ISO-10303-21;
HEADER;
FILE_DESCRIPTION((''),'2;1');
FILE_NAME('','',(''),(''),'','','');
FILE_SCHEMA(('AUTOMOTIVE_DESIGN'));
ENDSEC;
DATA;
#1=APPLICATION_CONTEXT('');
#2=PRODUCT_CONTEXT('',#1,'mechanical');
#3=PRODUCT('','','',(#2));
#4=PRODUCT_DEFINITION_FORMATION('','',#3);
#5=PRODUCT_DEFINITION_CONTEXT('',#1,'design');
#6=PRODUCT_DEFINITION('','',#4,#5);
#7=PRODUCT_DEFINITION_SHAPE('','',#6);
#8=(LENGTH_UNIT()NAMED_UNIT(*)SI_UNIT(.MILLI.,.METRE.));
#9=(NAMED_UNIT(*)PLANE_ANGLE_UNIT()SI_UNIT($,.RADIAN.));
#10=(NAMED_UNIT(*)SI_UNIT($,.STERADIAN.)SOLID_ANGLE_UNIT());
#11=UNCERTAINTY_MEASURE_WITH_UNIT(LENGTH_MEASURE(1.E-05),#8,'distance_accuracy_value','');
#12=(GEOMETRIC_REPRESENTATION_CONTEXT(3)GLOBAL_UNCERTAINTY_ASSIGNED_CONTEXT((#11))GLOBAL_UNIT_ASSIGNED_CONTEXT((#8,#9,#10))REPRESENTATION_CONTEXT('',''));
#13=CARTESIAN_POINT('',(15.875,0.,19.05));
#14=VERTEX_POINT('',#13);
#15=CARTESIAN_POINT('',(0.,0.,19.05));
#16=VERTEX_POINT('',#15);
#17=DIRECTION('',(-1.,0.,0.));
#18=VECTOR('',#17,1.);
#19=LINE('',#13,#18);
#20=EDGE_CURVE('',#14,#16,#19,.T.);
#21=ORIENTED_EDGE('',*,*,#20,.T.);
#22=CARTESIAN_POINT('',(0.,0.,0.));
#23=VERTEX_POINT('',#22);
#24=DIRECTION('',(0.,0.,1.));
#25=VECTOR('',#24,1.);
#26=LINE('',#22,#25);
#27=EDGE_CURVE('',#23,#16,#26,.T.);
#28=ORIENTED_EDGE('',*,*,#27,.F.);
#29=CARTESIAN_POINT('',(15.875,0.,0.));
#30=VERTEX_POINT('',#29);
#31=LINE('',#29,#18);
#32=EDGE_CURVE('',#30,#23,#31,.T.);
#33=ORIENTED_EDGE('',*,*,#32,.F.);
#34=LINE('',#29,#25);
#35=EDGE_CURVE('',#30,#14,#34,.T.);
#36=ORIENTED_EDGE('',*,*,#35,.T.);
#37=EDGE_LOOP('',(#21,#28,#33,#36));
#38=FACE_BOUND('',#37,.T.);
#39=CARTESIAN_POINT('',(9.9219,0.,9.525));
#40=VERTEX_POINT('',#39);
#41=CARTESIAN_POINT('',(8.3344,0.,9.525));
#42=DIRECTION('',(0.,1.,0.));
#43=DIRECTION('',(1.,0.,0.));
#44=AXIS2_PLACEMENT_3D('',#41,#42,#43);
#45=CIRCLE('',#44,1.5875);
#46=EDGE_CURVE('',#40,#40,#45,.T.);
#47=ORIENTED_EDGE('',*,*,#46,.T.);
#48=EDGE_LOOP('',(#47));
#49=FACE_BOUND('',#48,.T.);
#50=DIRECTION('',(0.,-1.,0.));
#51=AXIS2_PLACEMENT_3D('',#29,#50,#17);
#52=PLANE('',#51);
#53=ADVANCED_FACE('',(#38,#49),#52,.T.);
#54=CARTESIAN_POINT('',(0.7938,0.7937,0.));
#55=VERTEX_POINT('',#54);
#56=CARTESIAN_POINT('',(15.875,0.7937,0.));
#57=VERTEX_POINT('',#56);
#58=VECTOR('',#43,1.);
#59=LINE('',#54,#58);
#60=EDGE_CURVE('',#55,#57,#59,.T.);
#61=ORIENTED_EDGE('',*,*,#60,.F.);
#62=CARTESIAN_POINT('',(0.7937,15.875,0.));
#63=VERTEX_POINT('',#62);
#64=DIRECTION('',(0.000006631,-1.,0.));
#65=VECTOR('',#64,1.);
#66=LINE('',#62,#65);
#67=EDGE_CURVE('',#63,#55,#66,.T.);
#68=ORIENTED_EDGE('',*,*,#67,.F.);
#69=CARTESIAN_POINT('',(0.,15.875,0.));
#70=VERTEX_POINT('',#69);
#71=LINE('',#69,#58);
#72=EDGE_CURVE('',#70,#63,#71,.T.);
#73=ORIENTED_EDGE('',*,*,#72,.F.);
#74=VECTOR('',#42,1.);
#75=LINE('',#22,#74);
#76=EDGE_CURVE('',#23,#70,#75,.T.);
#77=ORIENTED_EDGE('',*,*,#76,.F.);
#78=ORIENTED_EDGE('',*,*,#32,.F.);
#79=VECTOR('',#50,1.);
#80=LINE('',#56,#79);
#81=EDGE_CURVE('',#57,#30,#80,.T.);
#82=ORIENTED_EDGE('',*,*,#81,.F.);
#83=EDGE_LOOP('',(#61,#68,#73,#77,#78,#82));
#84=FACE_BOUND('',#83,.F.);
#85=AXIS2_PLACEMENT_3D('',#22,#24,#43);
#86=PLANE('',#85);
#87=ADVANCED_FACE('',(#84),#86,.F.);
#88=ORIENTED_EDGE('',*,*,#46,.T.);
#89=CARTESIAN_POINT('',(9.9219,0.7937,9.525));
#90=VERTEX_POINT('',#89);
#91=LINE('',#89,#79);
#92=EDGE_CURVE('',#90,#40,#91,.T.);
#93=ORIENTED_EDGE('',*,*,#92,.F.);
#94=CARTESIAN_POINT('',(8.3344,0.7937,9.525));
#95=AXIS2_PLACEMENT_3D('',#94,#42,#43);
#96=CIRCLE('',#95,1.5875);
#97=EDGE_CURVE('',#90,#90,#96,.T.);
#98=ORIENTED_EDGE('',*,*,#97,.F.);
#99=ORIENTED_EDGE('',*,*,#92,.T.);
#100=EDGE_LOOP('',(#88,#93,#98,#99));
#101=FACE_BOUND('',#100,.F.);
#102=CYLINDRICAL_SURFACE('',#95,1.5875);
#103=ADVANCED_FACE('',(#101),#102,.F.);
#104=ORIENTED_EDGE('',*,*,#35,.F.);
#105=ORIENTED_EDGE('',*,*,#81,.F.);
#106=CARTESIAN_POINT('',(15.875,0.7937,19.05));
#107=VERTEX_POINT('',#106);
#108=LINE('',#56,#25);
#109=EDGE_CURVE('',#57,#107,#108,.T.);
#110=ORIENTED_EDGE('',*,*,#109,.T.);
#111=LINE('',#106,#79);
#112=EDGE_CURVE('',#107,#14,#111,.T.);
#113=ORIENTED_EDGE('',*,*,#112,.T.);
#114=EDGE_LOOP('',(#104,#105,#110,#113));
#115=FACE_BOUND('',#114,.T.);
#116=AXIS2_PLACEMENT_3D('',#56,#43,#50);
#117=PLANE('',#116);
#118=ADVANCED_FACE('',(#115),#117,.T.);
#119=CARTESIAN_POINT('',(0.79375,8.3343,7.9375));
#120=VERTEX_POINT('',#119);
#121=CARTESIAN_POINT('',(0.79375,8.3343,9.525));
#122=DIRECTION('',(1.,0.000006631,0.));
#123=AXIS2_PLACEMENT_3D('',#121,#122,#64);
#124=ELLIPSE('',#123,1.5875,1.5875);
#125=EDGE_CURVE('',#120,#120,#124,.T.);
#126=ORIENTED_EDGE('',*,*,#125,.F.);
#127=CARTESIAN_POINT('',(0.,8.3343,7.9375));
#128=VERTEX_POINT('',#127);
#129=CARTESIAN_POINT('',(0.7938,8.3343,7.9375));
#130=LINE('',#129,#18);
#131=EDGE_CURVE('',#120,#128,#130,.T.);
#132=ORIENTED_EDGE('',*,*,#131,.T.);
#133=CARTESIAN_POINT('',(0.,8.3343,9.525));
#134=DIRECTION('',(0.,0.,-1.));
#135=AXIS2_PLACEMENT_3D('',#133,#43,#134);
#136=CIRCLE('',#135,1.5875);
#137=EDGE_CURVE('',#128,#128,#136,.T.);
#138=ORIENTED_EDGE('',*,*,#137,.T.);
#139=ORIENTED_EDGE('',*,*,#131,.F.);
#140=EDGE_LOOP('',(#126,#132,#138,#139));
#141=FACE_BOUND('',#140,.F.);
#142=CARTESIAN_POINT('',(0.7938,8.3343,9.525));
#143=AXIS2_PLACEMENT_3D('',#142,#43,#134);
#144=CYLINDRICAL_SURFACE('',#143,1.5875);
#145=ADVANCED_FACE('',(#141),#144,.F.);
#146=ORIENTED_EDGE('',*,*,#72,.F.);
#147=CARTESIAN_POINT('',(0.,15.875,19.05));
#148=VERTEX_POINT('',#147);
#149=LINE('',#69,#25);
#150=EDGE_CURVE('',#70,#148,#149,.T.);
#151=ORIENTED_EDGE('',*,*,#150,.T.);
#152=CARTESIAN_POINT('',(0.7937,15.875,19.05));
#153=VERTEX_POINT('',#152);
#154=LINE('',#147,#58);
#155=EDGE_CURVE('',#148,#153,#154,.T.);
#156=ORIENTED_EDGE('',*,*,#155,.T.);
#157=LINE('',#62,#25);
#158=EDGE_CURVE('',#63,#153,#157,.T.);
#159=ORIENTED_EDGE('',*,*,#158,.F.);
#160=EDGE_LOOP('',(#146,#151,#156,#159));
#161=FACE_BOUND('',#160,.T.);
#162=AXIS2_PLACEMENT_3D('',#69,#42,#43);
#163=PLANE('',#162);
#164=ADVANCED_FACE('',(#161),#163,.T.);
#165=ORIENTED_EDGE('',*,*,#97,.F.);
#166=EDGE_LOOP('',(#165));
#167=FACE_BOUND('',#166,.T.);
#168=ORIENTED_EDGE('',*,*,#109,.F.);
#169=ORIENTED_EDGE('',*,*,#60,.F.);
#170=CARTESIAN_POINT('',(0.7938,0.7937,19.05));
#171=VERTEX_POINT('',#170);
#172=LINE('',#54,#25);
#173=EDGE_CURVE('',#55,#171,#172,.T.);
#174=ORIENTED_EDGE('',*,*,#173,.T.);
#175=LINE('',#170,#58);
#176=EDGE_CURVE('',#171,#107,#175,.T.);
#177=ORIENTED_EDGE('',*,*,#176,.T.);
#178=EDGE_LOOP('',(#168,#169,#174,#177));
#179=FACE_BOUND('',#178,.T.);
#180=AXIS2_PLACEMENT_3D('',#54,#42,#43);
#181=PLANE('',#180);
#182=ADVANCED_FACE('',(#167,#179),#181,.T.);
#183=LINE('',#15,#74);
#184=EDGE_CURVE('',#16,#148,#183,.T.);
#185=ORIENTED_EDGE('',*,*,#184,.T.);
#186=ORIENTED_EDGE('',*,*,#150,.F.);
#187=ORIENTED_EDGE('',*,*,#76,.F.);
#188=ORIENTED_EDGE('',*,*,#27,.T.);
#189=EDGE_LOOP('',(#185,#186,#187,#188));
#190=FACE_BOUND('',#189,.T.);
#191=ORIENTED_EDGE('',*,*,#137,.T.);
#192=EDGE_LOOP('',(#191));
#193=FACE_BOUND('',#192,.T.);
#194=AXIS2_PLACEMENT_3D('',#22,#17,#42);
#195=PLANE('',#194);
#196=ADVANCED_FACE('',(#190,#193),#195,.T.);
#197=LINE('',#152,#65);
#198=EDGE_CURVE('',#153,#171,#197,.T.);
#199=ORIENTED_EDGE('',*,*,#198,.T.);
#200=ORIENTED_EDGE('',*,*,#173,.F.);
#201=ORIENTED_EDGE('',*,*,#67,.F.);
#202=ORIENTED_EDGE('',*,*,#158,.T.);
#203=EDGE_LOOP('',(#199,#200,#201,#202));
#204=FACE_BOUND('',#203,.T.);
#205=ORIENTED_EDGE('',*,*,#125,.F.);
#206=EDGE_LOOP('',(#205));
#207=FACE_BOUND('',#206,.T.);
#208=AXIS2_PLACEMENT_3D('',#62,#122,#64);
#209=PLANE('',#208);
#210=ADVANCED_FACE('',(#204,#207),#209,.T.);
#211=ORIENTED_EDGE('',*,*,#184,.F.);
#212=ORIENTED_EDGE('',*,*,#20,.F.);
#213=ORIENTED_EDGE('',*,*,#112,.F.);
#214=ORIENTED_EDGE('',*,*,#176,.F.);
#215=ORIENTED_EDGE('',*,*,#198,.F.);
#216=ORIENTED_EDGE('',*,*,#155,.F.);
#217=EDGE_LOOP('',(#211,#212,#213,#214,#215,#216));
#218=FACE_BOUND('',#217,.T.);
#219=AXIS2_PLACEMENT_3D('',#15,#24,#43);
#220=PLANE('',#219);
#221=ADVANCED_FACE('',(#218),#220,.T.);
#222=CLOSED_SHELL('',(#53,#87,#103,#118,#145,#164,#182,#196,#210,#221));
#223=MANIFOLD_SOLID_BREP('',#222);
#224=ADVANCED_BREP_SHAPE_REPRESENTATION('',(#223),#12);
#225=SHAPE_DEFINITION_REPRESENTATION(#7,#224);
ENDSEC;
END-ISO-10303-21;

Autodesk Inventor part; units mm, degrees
ref_plane "YZ Plane" through (0, 0, 0) normal (1, 0, 0) x (0, 1, 0)
ref_plane "XZ Plane" through (0, 0, 0) normal (0, 1, 0) x (-1, 0, 0)
ref_plane "XY Plane" through (0, 0, 0) normal (0, 0, 1) x (1, 0, 0)
sketch "Sketch1" plane through (0, 0, 0) normal (0, 0, 1) x (1, 0, 0)
  line L0 (0, 0) -> (0, 15.875)
  line L1 (0, 15.875) -> (0.7937, 15.875)
  line L2 (0.7937, 15.875) -> (0.7938, 0.7937)
  line L3 (0.7938, 0.7937) -> (15.875, 0.7937)
  line L4 (15.875, 0.7937) -> (15.875, 0)
  line L5 (15.875, 0) -> (0, 0)
  dimension "d0" = 15.875
  dimension "d1" = 0.7937
extrude "Extrusion1" add sketch "Sketch1" along normal blind 19.05
sketch "Sketch2" plane through (0.7938, 0.7937, 0) normal (1, 0, 0) x (0, 0, -1)
  line L0 (0, 15.0812) -> (0, 0) projected
  line L1 (-19.05, 0) -> (-19.05, 15.0812) projected
  line L2 (-19.05, 7.5406) -> (0, 7.5406) construction
  circle A0 centre (-9.525, 7.5406) radius 1.5875
  point P0 (0, -0.7937)
  dimension "d4" = 3.175
sketch "Sketch3" plane through (0.7938, 0.7937, 0) normal (0, 1, 0) x (1, 0, 0)
  line L0 (0, 0) -> (15.0812, 0) projected
  line L1 (15.0812, -19.05) -> (0, -19.05) projected
  line L2 (7.5406, 0) -> (7.5406, -19.05) construction
  circle A0 centre (7.5406, -9.525) radius 1.5875
  point P0 (-0.7938, 0)
  dimension "d5" = 3.175
extrude "Extrusion2" cut sketch "Sketch2" against normal through all
extrude "Extrusion3" cut sketch "Sketch3" against normal through all
properties part number "Hopper Bouncer Mounting Brace P1" material "Aluminum 6061"
